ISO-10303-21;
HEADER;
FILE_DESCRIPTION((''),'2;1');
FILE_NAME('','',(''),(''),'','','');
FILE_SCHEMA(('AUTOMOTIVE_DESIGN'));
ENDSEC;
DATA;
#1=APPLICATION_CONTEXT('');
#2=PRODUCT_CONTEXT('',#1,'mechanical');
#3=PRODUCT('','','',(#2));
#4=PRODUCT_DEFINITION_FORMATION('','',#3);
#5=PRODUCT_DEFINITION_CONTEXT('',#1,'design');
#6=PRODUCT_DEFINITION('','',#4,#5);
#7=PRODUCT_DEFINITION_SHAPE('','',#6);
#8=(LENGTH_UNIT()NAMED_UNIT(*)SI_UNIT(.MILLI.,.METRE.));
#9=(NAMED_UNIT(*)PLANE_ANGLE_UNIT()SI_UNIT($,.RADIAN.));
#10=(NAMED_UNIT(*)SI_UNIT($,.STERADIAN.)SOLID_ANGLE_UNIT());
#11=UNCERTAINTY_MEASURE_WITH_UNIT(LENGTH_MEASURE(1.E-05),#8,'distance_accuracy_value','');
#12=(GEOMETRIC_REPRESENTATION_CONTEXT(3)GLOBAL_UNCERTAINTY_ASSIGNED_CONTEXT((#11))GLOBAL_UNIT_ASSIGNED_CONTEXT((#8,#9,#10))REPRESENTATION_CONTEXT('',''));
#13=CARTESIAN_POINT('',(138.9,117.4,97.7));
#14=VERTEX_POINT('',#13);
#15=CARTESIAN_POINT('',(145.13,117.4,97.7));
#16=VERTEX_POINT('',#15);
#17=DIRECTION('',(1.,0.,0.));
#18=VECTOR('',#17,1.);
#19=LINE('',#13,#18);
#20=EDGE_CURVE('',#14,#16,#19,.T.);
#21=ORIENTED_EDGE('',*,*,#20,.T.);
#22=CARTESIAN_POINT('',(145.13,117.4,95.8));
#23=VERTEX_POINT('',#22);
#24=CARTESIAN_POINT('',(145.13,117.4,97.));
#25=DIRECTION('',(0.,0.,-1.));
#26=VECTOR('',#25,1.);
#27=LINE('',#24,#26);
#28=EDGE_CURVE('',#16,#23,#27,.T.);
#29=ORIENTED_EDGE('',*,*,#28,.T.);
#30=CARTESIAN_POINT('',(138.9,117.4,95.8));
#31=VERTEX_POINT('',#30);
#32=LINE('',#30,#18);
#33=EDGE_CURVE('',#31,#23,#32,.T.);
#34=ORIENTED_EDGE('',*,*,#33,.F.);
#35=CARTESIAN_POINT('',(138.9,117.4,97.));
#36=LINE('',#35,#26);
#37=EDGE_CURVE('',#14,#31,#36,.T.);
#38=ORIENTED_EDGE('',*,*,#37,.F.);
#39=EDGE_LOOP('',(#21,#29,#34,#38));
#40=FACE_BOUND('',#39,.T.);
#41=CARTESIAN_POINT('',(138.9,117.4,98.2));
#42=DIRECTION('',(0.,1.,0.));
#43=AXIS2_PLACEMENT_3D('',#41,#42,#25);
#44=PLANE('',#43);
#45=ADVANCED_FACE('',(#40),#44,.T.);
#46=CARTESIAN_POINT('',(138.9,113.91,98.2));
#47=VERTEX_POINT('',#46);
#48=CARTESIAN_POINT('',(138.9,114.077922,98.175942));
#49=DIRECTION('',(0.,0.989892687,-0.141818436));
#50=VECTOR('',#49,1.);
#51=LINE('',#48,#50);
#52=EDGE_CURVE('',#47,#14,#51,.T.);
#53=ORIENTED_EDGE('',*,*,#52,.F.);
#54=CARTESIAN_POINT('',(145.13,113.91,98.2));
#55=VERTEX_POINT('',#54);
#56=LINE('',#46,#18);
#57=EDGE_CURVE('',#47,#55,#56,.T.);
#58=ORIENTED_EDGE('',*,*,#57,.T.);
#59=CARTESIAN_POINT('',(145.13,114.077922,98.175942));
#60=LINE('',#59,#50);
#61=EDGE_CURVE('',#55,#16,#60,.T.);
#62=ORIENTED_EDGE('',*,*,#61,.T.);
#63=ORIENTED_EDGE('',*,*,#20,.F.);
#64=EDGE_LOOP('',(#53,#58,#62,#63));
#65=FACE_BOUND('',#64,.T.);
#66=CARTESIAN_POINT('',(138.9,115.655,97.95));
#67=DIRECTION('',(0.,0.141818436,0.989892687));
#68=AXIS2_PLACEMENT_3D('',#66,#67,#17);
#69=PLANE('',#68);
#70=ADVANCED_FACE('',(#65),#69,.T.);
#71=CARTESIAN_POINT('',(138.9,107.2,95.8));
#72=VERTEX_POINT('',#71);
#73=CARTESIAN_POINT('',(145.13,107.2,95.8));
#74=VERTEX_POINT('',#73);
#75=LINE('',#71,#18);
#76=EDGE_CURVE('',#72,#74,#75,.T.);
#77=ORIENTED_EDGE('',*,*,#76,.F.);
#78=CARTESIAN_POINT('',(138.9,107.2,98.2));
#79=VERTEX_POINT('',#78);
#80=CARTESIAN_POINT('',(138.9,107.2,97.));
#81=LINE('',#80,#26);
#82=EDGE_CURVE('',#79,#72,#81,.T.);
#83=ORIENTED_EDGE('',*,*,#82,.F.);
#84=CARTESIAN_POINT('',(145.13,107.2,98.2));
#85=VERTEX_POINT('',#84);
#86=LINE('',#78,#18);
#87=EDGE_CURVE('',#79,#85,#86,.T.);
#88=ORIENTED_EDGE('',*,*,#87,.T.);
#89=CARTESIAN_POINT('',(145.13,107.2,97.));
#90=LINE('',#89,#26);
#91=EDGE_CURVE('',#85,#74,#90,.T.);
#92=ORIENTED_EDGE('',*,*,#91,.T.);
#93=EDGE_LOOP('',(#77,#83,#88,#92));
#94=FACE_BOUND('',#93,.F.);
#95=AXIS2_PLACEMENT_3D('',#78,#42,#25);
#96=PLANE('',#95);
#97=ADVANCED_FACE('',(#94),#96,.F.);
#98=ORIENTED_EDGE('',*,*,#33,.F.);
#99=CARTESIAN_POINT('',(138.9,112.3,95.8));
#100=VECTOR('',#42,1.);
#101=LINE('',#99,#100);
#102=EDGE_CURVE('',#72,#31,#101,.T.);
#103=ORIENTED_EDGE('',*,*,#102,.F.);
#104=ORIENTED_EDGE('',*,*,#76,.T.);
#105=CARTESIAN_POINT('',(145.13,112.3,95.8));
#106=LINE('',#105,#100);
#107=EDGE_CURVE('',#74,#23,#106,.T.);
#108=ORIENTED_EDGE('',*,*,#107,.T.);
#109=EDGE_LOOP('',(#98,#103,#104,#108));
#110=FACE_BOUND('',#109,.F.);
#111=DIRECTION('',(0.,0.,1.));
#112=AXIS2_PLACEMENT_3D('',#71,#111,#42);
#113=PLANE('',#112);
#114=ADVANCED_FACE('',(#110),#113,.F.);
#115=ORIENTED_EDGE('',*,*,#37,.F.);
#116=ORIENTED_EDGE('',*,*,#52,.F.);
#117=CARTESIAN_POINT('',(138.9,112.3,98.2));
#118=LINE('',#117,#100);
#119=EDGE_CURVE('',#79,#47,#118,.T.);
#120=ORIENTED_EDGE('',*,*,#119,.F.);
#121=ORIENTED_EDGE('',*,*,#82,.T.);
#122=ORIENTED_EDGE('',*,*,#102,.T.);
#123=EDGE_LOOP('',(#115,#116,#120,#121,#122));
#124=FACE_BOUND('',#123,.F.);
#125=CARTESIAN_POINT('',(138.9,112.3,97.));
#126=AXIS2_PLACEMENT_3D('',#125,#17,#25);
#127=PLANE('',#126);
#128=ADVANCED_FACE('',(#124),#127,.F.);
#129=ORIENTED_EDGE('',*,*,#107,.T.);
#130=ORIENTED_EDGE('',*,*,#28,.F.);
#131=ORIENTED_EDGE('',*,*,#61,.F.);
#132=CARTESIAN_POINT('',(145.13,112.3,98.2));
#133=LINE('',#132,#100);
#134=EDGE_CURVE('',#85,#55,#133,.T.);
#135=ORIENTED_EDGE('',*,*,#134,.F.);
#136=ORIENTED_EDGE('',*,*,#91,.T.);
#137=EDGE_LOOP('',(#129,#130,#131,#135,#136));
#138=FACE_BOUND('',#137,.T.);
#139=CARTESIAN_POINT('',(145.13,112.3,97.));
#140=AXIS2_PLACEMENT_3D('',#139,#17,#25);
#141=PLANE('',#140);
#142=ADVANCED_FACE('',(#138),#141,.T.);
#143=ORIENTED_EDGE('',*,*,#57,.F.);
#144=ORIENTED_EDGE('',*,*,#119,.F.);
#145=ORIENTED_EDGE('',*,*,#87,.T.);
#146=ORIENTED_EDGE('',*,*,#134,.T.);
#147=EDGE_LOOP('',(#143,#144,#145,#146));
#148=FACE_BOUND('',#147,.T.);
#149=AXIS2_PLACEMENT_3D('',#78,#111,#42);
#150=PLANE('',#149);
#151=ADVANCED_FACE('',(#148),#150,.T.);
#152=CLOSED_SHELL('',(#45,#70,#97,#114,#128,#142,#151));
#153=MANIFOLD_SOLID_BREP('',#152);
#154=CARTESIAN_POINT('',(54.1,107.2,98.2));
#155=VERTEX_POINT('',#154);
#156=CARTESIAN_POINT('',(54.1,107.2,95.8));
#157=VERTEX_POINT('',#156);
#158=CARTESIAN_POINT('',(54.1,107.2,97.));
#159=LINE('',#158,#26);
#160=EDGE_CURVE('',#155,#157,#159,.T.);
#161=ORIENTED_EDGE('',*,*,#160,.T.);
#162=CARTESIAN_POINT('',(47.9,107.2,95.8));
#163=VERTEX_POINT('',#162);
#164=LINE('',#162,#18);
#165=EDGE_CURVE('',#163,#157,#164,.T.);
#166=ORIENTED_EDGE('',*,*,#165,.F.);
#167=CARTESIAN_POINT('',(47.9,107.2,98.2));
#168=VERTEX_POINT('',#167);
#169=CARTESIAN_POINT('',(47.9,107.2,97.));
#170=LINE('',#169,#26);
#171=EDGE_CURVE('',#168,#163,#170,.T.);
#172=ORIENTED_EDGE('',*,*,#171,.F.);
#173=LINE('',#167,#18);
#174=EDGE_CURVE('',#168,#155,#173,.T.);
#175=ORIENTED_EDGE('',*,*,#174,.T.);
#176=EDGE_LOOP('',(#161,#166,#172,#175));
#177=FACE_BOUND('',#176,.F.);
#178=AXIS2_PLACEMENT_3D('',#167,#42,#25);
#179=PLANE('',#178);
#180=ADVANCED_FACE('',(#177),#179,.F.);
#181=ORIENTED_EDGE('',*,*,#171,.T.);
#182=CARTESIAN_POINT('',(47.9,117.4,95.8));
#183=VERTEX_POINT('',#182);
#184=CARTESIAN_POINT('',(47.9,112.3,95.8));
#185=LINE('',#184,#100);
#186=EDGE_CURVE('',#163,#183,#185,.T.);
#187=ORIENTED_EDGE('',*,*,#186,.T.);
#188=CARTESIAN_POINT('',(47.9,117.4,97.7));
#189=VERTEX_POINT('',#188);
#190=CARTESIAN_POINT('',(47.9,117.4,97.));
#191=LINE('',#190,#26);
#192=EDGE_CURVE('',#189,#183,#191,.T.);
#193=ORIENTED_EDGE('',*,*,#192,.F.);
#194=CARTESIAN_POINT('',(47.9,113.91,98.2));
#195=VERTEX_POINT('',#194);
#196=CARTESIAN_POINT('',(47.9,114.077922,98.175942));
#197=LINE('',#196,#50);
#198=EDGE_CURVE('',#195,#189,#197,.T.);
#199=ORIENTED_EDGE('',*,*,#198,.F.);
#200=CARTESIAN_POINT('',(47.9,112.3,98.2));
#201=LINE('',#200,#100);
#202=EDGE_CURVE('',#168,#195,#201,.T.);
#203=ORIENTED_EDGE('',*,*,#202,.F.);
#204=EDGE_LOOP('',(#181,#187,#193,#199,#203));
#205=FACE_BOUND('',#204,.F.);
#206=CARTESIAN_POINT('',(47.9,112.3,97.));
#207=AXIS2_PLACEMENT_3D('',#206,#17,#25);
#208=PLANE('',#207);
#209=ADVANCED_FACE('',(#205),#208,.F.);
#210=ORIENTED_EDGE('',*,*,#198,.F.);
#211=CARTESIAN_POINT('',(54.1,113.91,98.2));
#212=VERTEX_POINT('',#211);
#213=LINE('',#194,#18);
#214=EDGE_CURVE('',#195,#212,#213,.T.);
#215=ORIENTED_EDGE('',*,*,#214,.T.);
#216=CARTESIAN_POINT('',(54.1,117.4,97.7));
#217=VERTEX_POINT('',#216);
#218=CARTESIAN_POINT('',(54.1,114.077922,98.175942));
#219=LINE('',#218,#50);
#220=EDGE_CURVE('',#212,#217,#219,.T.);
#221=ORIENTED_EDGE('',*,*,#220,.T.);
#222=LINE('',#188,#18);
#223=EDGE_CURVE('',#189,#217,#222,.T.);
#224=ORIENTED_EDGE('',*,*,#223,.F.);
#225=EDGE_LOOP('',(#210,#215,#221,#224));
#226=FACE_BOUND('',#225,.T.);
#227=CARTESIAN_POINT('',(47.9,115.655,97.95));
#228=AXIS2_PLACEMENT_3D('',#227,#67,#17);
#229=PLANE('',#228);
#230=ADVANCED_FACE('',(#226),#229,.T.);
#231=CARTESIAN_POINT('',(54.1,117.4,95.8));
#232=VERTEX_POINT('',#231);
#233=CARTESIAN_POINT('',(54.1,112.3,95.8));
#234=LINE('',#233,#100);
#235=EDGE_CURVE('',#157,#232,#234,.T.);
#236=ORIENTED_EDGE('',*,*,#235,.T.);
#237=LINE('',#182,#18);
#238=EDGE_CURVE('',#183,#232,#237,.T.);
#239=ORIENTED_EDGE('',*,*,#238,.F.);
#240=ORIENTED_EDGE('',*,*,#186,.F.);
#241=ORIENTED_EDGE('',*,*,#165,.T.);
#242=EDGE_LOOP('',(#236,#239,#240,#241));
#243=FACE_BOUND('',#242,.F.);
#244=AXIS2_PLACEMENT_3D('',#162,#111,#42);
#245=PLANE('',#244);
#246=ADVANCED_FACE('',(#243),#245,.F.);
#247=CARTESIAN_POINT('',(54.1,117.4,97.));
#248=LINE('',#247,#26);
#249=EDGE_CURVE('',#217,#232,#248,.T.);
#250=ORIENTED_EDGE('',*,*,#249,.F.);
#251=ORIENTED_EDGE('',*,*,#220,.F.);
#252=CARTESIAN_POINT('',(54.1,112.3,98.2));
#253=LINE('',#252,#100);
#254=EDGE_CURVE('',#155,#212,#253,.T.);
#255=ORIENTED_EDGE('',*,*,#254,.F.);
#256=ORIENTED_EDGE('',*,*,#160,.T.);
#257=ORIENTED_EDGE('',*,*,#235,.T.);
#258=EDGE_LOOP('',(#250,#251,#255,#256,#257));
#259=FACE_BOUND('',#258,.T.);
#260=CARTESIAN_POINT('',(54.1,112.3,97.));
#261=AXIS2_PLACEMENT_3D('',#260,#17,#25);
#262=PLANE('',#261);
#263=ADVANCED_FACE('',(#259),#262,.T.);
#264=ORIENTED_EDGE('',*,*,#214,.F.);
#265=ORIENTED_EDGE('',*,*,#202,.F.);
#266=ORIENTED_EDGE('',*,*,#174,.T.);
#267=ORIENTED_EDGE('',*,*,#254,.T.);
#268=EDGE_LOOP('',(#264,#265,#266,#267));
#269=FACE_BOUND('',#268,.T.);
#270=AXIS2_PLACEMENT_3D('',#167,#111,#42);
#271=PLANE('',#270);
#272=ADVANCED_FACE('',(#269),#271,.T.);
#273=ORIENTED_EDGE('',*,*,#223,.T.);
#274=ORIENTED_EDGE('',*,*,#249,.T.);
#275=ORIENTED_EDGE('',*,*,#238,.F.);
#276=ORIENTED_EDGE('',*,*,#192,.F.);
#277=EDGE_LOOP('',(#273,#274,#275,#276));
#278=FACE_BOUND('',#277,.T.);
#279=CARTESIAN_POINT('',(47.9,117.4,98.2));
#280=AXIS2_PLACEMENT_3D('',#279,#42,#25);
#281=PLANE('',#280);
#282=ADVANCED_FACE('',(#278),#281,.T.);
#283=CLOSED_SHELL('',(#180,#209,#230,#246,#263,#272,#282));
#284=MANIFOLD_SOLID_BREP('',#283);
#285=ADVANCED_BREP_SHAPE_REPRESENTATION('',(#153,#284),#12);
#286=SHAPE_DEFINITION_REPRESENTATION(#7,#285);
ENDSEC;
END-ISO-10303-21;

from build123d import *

# Parameters (mm, degrees)
BOX085017_W                    = 2.4
BOX085017_H                    = 10.2
BOX085017_DEPTH                = 6.23
BOX085014_W                    = 2.4
BOX085014_H                    = 10.2
BOX085014_DEPTH                = 6.2
CHAMFER011006003017066_1_SIZE2 = 0.5
CHAMFER011006003017066_1_SIZE  = 3.49
CHAMFER011006003017066_2_SIZE2 = 0.5
CHAMFER011006003017066_2_SIZE  = 3.49


with BuildPart() as cube105:
    # Box085017 → Box085017 (new body)
    with BuildSketch(Plane(origin=(138.9, 107.2, 98.2), x_dir=(0, 0, -1), z_dir=(1, 0, 0))):
        with Locations((1.2, 5.1)):
            Rectangle(BOX085017_W, BOX085017_H)
    extrude(amount=BOX085017_DEPTH)


with BuildPart() as top_tab_holes_old:
    # Box085014 → Box085014 (new body)
    with BuildSketch(Plane(origin=(47.9, 107.2, 98.2), x_dir=(0, 0, -1), z_dir=(1, 0, 0))):
        with Locations((1.2, 5.1)):
            Rectangle(BOX085014_W, BOX085014_H)
    extrude(amount=BOX085014_DEPTH)

    # Fusion004008002002002001007002002026012005: union Cube105
    add(cube105.part)

    # Chamfer011006003017066 1
    chamfer011006003017066_1_edges = [top_tab_holes_old.edges().sort_by_distance(p)[0] for p in [
        (142.015, 117.4, 98.2),
    ]]
    chamfer011006003017066_1_side = top_tab_holes_old.faces().sort_by_distance((142.015, 112.3, 98.2))[0]
    chamfer(chamfer011006003017066_1_edges, length=CHAMFER011006003017066_1_SIZE, length2=CHAMFER011006003017066_1_SIZE2, reference=chamfer011006003017066_1_side)

    # Chamfer011006003017066 2
    chamfer011006003017066_2_edges = [top_tab_holes_old.edges().sort_by_distance(p)[0] for p in [
        (51, 117.4, 98.2),
    ]]
    chamfer011006003017066_2_side = top_tab_holes_old.faces().sort_by_distance((51, 112.3, 98.2))[0]
    chamfer(chamfer011006003017066_2_edges, length=CHAMFER011006003017066_2_SIZE, length2=CHAMFER011006003017066_2_SIZE2, reference=chamfer011006003017066_2_side)


solid = top_tab_holes_old.part
